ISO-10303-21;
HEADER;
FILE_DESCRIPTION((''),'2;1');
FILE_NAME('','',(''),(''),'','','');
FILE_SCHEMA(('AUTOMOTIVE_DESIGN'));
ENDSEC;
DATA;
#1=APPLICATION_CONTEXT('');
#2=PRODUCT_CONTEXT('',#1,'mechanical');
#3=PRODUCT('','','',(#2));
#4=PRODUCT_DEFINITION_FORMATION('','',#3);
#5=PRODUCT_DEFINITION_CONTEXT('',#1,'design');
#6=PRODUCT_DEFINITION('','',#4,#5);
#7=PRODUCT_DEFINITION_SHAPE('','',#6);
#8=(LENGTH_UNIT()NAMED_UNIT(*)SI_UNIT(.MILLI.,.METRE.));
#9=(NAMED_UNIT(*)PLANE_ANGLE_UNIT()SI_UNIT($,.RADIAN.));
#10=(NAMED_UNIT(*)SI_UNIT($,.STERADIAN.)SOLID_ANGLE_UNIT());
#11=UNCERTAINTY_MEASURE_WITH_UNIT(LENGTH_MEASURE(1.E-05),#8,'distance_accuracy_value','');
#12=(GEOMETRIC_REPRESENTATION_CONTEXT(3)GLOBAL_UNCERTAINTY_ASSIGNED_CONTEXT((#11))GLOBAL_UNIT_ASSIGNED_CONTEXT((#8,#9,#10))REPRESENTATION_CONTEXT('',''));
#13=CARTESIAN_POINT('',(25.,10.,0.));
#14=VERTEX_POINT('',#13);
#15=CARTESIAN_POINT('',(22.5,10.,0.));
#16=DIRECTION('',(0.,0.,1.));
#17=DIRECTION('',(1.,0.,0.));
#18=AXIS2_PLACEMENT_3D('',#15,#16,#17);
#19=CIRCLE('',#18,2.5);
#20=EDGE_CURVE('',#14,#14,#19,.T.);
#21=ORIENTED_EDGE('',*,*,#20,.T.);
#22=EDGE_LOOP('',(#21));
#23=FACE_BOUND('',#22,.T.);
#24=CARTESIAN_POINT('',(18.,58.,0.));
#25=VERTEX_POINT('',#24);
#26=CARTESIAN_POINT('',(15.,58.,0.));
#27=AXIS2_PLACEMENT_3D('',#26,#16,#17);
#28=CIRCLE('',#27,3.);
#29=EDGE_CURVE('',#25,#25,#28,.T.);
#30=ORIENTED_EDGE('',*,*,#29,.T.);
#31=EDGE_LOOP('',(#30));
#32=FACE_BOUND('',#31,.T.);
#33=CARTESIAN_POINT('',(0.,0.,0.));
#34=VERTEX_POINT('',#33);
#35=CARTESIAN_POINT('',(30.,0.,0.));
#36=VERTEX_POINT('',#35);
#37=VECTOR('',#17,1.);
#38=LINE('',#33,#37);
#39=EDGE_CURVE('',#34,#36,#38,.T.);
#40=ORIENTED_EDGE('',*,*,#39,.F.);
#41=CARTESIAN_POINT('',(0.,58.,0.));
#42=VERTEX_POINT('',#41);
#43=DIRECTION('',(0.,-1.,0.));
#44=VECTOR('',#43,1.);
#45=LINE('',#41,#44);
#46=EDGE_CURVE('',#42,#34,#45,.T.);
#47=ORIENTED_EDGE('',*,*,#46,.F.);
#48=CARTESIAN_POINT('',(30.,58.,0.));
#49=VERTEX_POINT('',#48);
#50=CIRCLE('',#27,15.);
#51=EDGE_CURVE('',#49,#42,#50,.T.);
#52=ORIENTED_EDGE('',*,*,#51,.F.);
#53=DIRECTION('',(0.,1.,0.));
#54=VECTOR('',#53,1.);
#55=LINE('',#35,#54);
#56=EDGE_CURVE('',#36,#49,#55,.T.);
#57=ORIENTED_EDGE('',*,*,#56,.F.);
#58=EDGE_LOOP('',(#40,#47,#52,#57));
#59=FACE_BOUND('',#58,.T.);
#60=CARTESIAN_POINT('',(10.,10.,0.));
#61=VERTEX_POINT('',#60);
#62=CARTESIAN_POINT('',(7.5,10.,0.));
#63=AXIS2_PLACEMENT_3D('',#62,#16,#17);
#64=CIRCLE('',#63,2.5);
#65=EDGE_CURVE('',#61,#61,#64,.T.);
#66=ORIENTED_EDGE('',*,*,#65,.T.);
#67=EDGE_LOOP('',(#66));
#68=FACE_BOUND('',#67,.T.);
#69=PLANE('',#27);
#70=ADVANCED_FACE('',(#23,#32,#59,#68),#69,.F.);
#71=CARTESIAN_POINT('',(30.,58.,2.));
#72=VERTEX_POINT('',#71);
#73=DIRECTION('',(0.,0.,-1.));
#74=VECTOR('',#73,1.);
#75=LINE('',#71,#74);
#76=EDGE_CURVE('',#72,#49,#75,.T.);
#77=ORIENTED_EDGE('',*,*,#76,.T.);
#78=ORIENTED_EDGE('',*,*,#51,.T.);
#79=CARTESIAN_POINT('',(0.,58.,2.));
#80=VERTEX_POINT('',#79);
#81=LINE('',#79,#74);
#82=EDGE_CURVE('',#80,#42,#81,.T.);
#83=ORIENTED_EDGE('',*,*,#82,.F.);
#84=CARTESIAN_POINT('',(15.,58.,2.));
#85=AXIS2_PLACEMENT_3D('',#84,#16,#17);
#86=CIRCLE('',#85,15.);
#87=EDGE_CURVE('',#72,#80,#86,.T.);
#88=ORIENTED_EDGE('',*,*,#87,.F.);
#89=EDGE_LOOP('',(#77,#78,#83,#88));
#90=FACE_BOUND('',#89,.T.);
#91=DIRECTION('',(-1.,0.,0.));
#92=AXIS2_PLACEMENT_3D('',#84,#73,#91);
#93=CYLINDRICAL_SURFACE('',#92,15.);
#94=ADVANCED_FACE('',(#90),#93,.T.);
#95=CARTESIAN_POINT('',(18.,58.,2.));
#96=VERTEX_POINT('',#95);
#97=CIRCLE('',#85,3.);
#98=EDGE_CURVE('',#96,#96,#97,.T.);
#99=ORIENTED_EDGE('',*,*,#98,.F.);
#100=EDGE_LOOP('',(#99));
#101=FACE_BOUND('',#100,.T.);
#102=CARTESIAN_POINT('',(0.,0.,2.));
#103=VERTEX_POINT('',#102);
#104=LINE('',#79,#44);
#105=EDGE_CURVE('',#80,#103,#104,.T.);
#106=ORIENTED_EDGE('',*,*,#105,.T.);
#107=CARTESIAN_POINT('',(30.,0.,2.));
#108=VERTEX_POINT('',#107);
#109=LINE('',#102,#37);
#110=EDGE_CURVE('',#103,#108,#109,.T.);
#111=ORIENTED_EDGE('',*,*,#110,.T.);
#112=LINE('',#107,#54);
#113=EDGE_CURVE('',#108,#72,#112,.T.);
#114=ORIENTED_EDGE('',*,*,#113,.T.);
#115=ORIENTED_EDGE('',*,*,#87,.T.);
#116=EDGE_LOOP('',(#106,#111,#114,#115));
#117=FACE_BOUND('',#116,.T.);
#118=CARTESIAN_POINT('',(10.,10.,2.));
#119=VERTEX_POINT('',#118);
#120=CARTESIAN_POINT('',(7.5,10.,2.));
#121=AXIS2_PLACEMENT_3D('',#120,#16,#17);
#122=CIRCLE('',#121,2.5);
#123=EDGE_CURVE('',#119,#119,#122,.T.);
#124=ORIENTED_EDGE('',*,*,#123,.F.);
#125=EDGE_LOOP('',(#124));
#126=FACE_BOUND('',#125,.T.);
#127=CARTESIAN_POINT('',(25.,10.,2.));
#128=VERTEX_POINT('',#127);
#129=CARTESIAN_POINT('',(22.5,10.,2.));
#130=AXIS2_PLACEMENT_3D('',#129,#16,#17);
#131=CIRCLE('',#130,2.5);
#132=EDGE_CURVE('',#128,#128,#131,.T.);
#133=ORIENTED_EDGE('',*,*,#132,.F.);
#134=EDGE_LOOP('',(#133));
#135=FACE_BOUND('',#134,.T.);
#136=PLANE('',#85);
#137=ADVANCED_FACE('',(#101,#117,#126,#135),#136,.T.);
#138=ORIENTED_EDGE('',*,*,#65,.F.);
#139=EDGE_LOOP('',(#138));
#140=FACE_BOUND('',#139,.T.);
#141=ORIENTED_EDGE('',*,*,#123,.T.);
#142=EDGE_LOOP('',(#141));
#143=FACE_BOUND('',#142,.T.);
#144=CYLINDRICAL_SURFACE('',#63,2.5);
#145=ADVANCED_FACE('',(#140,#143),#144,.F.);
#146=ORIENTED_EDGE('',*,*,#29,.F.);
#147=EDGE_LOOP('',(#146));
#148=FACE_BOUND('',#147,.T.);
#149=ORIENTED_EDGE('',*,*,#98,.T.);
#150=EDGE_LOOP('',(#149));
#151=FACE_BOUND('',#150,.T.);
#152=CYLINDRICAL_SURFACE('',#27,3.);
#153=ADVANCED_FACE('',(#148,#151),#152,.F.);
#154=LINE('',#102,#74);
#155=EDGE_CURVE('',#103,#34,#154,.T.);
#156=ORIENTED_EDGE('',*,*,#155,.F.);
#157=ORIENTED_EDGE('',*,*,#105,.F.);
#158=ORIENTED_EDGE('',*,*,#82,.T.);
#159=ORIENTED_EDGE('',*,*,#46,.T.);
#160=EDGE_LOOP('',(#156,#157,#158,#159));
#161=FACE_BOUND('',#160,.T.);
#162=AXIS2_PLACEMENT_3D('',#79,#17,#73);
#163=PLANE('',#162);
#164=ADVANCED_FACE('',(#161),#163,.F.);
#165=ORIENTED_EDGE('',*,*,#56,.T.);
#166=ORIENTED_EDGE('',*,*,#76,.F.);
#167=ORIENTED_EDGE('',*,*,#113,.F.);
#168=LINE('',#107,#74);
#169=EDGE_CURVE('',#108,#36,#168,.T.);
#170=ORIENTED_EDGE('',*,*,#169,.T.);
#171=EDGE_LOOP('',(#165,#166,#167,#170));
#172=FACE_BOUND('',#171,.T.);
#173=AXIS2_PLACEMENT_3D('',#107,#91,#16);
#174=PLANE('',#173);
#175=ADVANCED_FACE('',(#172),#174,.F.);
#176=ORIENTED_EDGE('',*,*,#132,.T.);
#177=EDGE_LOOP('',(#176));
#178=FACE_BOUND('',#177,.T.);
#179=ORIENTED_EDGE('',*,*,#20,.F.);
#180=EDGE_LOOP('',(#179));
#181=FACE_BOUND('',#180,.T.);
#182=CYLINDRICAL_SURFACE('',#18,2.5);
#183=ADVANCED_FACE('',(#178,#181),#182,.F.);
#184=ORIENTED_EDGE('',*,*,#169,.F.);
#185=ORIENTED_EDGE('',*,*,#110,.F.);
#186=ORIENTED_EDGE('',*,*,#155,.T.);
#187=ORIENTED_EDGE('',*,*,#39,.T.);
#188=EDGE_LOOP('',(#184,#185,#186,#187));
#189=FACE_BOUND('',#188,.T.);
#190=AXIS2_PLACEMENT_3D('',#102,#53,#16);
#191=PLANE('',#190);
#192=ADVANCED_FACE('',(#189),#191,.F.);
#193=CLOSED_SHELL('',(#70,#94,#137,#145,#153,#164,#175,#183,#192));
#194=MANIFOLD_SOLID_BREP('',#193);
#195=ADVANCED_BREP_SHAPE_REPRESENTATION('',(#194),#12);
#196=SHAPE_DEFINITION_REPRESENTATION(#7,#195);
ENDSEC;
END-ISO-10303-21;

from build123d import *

# Parameters (mm, degrees)
BOSS_EXTRUDE1_DEPTH = 2
SKETCH2_R           = 2.5
SKETCH2_R_2         = 3
CUT_EXTRUDE1_DEPTH  = 2


with BuildPart() as part:
    # Sketch1 → Boss-Extrude1 (new body)
    with BuildSketch(Plane.XY):
        with BuildLine():
            Line((0, 0), (30, 0))
            Line((30, 0), (30, 58))
            ThreePointArc((30, 58), (15, 73), (0, 58))
            Line((0, 58), (0, 0))
        make_face()
    extrude(amount=BOSS_EXTRUDE1_DEPTH)

    # Sketch2 → Cut-Extrude1 (cut)
    with BuildSketch(Plane.XY.offset(2)):
        with Locations((7.5, 10)):
            Circle(SKETCH2_R)
        with Locations((15, 58)):
            Circle(SKETCH2_R_2)
        with Locations((22.5, 10)):
            Circle(SKETCH2_R)
    extrude(amount=-CUT_EXTRUDE1_DEPTH, mode=Mode.SUBTRACT)


solid = part.part
